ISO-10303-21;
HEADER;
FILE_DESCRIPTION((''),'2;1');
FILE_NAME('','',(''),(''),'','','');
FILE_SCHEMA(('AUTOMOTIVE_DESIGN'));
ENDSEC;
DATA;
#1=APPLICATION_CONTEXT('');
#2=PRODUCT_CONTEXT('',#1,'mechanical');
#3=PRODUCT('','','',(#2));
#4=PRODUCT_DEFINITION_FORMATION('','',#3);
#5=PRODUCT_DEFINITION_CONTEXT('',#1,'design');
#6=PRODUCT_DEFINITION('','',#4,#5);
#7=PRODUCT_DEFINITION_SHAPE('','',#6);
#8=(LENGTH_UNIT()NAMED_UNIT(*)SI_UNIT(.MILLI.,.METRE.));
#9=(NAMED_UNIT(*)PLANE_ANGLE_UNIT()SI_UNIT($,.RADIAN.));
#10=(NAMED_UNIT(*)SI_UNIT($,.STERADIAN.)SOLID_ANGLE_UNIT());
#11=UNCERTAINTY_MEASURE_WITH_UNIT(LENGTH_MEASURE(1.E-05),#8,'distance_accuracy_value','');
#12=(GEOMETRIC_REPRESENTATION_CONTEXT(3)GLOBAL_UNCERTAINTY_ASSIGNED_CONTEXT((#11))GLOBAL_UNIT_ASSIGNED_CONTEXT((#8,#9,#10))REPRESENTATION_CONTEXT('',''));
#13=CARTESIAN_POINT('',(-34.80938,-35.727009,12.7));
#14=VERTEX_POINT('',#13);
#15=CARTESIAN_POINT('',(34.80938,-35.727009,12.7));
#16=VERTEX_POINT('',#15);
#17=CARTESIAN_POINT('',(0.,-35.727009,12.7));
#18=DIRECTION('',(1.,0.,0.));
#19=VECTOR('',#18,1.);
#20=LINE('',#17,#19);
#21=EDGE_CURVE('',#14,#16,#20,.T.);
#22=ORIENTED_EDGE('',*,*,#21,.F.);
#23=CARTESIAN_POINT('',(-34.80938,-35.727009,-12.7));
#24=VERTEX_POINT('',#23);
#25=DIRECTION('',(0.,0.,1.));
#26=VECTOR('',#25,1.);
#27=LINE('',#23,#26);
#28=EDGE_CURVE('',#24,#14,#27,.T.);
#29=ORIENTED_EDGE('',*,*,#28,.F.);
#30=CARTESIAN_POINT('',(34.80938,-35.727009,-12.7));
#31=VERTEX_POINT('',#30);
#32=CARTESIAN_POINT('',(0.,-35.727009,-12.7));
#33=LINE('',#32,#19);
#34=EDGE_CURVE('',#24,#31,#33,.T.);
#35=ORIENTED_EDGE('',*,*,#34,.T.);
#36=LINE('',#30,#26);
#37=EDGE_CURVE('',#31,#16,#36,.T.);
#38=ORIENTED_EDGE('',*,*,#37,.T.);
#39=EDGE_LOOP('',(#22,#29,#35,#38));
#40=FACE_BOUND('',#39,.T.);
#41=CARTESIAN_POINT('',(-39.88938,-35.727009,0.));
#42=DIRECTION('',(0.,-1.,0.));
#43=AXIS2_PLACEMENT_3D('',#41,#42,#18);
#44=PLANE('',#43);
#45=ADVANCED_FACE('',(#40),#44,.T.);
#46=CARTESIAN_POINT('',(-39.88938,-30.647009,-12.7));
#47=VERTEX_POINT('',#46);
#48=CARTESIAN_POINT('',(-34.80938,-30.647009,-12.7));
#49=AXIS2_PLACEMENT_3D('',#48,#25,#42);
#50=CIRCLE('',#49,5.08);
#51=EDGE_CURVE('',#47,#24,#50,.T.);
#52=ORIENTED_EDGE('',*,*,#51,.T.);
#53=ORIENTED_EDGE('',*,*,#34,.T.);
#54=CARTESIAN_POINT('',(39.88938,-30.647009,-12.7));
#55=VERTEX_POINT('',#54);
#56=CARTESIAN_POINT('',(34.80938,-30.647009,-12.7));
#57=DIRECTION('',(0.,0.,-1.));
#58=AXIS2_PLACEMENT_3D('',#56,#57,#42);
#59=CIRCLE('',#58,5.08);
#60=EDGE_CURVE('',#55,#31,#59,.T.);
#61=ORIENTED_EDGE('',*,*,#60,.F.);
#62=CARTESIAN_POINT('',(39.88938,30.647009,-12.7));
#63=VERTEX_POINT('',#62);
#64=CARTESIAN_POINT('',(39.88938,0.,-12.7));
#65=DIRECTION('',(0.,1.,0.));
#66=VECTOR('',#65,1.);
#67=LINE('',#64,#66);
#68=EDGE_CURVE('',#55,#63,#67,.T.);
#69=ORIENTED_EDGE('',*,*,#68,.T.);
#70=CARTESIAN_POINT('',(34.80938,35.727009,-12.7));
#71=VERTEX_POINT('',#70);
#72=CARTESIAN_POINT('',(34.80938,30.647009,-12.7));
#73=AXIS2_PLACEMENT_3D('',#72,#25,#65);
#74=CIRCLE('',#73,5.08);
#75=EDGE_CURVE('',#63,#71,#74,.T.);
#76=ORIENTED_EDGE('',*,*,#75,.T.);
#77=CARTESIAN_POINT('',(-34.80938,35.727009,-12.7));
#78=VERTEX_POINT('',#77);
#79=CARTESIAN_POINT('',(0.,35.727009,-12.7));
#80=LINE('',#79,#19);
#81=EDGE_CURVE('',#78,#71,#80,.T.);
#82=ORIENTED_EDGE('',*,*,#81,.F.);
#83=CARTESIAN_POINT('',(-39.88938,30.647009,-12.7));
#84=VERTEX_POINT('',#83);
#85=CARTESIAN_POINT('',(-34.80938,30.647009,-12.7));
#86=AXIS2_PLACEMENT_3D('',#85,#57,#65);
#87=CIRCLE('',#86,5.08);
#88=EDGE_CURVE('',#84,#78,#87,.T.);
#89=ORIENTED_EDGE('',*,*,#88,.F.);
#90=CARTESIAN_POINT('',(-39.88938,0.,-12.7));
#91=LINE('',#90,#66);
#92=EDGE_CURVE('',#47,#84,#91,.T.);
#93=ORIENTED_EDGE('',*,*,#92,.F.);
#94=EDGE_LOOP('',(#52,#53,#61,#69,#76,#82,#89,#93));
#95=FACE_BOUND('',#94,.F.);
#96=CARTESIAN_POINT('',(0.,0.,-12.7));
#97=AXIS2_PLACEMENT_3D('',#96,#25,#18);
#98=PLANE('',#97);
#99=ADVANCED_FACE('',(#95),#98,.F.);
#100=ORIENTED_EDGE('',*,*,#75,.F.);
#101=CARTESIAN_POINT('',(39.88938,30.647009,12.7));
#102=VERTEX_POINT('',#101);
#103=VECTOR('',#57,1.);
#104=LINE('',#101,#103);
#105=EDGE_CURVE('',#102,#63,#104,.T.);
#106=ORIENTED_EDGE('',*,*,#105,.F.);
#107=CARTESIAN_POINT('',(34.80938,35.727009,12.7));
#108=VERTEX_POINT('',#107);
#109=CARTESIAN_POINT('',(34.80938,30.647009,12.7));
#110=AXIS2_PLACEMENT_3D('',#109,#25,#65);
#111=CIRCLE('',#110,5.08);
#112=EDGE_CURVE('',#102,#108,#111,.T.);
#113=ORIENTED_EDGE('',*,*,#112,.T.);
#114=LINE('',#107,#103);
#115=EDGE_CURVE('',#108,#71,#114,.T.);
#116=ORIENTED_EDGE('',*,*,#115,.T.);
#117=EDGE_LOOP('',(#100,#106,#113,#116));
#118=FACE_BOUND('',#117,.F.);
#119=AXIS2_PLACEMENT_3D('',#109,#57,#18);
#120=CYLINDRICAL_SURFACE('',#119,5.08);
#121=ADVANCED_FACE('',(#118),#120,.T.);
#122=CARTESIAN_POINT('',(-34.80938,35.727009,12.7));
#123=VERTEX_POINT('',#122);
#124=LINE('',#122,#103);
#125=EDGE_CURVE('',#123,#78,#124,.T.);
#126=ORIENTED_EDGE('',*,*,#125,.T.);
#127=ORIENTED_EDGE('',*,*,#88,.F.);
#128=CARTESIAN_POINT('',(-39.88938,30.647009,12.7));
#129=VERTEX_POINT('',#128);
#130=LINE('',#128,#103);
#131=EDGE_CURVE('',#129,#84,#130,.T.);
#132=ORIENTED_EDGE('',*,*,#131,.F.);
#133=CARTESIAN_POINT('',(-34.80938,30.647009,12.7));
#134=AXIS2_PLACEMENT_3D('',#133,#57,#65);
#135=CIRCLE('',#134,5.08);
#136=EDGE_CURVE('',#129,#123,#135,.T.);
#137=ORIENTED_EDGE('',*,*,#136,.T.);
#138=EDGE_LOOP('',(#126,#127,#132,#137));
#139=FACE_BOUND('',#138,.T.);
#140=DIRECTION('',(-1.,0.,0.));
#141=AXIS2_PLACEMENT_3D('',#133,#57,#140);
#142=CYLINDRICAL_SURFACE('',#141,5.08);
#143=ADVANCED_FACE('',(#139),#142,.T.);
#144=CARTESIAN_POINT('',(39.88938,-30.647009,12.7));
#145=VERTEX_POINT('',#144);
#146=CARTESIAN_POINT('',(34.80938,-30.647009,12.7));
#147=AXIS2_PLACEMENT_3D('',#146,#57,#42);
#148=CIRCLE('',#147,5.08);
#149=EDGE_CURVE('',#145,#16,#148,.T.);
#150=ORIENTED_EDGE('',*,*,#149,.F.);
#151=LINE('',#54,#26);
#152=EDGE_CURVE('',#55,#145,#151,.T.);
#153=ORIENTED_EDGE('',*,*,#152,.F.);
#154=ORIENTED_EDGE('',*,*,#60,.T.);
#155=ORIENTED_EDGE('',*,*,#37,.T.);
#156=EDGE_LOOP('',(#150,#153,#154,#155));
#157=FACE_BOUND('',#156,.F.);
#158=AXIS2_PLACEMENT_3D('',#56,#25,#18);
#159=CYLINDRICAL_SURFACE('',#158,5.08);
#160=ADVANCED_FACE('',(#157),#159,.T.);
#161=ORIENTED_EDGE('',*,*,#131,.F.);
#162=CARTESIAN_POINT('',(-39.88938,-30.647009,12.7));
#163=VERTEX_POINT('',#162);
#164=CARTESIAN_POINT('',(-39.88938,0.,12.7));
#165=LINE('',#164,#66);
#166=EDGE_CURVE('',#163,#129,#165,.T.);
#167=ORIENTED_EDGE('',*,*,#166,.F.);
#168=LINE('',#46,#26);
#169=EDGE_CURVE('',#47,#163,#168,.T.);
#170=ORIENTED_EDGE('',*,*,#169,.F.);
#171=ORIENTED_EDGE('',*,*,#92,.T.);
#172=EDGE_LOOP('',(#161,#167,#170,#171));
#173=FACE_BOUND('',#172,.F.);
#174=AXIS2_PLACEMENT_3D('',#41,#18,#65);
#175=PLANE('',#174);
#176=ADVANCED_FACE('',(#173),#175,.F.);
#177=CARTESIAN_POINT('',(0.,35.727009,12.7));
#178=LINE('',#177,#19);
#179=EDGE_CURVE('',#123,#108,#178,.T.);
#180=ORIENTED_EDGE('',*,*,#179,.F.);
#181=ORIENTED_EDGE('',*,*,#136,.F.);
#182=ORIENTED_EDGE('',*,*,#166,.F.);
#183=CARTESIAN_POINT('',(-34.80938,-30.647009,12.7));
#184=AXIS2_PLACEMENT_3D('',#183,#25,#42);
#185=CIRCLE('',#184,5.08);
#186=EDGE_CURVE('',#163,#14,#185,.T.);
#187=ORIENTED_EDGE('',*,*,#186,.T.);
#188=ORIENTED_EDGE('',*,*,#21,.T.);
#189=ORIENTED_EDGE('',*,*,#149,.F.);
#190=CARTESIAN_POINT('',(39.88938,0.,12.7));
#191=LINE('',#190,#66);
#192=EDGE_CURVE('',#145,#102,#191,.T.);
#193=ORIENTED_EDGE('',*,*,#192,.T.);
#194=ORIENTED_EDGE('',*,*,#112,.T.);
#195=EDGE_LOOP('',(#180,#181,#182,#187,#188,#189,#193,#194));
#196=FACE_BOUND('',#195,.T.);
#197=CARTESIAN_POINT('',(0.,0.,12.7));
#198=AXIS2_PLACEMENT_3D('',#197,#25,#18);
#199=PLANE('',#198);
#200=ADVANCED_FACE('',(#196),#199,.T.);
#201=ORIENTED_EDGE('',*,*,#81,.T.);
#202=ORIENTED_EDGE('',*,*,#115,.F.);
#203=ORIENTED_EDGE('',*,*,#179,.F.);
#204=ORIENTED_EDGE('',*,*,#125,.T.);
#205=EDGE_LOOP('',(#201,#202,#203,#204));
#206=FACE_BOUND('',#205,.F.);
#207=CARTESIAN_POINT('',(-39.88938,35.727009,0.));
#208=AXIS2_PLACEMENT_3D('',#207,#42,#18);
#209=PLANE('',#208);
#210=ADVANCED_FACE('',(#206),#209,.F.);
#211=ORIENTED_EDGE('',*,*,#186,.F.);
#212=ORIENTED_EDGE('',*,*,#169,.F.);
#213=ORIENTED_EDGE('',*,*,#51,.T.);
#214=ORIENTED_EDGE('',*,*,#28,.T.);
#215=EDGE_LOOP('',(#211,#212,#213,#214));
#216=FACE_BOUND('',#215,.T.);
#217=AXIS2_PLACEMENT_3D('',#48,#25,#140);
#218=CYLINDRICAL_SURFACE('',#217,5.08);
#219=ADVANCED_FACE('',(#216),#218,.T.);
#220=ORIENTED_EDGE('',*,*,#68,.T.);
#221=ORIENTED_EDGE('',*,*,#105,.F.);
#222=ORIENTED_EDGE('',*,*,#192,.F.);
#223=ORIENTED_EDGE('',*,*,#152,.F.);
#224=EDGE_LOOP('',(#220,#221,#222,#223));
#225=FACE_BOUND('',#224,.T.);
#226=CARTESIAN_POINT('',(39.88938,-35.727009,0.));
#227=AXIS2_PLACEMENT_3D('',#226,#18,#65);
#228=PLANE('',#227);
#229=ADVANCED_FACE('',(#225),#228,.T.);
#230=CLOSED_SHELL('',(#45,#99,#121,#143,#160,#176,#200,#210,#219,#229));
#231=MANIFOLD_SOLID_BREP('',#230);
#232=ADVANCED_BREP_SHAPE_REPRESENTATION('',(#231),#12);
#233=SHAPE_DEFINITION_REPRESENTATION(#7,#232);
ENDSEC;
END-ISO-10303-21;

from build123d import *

# Parameters (mm, degrees)
F0_W     = 79.77876
F0_H     = 71.454018
F1_DEPTH = 12.7
F2_R     = 5.08


with BuildPart() as f1:
    # F0 (on Top) → F1 (new body, symmetric)
    with BuildSketch(Plane.XY):
        Rectangle(F0_W, F0_H)
    extrude(amount=F1_DEPTH, both=True)

    # F2
    f2_edges = [f1.edges().sort_by_distance(p)[0] for p in [
        (39.88938, 35.727009, 0),
        (-39.88938, 35.727009, 0),
        (-39.88938, -35.727009, 0),
        (39.88938, -35.727009, 0),
    ]]
    fillet(f2_edges, radius=F2_R)


solid = f1.part
